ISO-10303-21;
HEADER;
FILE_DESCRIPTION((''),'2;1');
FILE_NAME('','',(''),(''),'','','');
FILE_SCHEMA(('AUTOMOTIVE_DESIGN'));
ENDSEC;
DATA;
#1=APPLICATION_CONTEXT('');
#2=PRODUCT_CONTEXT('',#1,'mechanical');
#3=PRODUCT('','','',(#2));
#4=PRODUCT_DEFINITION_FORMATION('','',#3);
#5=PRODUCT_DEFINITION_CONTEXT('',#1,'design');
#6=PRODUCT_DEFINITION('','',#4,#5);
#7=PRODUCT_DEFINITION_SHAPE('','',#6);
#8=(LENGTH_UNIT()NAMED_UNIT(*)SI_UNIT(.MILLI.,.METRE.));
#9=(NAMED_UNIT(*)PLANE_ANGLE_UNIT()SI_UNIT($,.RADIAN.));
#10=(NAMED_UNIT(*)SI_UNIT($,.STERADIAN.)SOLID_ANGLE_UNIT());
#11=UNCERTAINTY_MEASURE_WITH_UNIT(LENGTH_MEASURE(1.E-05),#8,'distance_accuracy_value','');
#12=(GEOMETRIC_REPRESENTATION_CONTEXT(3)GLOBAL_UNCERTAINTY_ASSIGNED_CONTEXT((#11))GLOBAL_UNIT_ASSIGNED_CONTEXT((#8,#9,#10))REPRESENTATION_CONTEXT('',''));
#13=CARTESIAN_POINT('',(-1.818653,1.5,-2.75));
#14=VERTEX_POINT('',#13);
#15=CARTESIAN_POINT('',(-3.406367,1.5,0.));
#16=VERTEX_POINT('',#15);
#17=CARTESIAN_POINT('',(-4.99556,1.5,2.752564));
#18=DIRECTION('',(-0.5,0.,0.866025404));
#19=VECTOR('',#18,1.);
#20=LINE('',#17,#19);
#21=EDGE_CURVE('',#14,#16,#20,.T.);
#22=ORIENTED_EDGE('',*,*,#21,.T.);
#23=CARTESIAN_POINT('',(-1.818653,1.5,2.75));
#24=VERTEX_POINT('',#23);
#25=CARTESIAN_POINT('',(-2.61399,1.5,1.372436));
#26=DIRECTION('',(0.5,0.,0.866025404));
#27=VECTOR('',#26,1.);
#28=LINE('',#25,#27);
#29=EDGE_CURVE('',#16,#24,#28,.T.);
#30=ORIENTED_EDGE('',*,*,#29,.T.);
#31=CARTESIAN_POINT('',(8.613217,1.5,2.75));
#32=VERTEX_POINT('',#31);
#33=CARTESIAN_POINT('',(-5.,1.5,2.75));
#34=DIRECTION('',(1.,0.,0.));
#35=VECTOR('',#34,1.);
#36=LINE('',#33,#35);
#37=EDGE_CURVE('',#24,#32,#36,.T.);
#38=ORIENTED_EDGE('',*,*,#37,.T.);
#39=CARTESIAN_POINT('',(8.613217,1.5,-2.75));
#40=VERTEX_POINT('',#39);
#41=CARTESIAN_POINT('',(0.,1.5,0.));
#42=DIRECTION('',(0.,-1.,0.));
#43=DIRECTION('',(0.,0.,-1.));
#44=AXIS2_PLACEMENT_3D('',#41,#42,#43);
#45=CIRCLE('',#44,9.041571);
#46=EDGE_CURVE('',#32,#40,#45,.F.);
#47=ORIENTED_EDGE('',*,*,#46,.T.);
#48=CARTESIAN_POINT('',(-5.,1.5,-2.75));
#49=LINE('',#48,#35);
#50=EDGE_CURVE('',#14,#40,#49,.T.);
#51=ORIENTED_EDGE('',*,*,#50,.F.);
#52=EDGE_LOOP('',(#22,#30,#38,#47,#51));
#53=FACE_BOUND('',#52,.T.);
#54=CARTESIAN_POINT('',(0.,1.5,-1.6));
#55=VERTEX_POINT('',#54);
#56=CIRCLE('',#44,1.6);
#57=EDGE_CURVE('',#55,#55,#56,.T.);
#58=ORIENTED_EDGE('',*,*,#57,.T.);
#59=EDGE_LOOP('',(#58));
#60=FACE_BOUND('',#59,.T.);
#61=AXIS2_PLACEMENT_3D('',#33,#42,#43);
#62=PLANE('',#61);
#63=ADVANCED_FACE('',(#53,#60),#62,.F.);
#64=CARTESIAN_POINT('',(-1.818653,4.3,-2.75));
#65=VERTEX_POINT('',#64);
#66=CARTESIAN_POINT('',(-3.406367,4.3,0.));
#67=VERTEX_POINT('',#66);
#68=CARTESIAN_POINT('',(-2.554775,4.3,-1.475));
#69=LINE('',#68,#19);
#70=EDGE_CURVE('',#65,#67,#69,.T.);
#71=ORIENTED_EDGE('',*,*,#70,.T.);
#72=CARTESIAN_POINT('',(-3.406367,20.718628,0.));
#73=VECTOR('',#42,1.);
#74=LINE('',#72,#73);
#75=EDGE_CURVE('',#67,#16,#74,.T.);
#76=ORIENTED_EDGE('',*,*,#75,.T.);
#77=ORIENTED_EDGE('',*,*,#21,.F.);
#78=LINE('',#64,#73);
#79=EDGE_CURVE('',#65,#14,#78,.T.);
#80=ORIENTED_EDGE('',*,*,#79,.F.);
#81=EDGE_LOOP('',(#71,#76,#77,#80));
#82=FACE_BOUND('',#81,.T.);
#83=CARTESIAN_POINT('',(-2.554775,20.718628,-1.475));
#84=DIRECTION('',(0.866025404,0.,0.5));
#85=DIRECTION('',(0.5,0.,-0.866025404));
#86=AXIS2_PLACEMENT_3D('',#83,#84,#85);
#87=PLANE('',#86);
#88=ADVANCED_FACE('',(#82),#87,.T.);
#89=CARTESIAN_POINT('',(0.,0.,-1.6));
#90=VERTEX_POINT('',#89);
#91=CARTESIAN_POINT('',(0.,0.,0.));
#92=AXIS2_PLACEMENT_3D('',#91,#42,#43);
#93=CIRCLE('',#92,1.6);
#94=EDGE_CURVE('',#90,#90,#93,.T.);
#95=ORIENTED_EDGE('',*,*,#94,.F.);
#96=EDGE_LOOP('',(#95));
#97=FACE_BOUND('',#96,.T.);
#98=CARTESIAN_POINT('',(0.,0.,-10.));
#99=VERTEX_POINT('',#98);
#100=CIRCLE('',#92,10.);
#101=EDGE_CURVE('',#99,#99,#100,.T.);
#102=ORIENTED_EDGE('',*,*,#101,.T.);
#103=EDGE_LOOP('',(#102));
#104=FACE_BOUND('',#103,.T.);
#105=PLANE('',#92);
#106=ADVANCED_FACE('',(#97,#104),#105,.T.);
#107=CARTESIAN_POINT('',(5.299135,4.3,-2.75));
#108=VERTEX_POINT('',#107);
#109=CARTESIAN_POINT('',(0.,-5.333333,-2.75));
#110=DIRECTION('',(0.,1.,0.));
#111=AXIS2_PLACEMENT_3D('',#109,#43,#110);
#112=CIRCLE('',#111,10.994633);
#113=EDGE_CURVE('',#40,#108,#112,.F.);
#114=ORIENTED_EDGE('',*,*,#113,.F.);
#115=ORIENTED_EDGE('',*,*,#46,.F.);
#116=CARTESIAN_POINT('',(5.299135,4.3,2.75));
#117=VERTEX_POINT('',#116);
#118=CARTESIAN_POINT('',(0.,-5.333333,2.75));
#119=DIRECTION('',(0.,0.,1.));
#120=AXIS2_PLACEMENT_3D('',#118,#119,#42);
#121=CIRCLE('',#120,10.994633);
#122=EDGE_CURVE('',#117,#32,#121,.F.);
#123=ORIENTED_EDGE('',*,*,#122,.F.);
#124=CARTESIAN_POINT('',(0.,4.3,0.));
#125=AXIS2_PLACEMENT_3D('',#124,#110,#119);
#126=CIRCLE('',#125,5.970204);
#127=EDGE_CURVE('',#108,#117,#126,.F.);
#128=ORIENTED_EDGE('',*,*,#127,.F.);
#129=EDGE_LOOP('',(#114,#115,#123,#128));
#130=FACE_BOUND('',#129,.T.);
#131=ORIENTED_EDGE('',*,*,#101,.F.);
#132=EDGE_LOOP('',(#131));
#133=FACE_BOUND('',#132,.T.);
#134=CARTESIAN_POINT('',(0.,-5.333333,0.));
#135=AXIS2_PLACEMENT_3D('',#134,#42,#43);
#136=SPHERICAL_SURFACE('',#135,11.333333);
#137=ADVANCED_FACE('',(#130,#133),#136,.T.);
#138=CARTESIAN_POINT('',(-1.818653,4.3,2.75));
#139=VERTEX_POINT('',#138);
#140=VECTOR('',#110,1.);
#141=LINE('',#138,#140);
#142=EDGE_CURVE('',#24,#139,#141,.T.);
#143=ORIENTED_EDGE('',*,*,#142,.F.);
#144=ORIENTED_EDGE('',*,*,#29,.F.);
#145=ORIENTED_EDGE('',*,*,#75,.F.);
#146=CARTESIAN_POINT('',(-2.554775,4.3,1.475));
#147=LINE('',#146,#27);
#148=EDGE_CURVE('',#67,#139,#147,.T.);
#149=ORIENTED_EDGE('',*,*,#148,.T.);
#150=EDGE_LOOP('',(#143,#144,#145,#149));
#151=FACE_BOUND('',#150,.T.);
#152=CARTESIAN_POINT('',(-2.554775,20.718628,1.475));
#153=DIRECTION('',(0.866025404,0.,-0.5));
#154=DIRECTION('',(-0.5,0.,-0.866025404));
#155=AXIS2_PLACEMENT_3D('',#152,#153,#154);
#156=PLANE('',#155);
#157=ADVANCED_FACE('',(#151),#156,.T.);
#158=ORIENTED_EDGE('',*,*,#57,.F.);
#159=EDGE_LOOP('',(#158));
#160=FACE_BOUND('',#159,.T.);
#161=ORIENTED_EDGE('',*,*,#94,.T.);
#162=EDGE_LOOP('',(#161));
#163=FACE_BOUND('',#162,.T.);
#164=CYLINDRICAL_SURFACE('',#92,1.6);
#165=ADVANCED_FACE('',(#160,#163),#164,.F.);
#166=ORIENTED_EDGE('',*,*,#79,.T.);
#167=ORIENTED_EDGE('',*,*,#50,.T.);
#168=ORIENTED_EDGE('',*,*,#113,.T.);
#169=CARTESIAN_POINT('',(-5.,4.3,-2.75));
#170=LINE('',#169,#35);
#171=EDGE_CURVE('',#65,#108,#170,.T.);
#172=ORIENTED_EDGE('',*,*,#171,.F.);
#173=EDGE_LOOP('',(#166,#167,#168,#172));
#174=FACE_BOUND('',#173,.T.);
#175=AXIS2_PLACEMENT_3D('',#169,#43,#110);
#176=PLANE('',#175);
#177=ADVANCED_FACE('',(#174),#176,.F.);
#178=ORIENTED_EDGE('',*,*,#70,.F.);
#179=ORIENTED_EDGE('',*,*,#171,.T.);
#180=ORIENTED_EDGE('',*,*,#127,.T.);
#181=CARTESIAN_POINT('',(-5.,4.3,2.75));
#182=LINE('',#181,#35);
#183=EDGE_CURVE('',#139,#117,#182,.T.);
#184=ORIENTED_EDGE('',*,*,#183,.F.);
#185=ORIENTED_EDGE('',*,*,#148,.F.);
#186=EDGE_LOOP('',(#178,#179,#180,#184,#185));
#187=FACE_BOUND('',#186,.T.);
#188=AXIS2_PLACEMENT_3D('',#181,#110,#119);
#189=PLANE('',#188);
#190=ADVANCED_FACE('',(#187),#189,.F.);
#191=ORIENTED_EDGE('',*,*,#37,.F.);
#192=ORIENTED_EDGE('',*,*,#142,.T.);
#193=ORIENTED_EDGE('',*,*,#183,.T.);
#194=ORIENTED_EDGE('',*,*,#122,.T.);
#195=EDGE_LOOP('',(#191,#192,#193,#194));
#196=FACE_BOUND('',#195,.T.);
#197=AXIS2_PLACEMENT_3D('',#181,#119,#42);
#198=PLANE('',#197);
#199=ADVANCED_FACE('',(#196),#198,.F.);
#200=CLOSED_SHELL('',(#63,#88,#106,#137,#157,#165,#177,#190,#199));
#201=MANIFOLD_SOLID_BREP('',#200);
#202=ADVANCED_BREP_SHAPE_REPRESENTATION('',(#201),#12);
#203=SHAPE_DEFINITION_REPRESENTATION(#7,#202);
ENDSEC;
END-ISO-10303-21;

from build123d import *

# Parameters (mm, degrees)
CUT_EXTRUDE1_DEPTH       = 16.362291496
CUT_EXTRUDE1_DEPTH_BACK  = 5
SKETCH2_W                = 5.5
SKETCH2_H                = 2.8
M3_CLEARANCE_HOLE1_D     = 3.2
M3_CLEARANCE_HOLE1_DEPTH = 1.5
BOSS_EXTRUDE1_DEPTH      = 4.3


with BuildPart() as part:
    # Sketch1 → Revolve1 (revolve)
    with BuildSketch(Plane(origin=(0, 0, 0), x_dir=(0, 0, -1), z_dir=(1, 0, 0))):
        with BuildLine():
            Line((0, 0), (0, 6))
            ThreePointArc((0, 6), (5.830951895, 4.384919825), (10, 0))
            Line((10, 0), (0, 0))
        make_face()
    revolve(axis=Axis((0, 0, 0), (0, 1, 0)))

    # Sketch2 → Cut-Extrude1 (cut, two sides: drawn at the far end of the back side and taken through both)
    with BuildSketch(Plane(origin=(0, 0, 0), x_dir=(0, 0, -1), z_dir=(1, 0, 0)).offset(-CUT_EXTRUDE1_DEPTH_BACK)):
        with Locations((0, 2.9)):
            Rectangle(SKETCH2_W, SKETCH2_H)
    extrude(amount=CUT_EXTRUDE1_DEPTH + CUT_EXTRUDE1_DEPTH_BACK, mode=Mode.SUBTRACT)

    # M3 Clearance Hole1
    with Locations(Plane(origin=(0, 0, 0), x_dir=(-1, 0, 0), z_dir=(0, -1, 0))):
        with Locations((0, 0)):
            Hole(M3_CLEARANCE_HOLE1_D / 2, depth=M3_CLEARANCE_HOLE1_DEPTH)

    # Sketch11 → Boss-Extrude1 (add)
    with BuildSketch(Plane(origin=(0, 0, 0), x_dir=(1, 0, 0), z_dir=(0, 1, 0))):
        with BuildLine():
            Line((5.29913515, 2.75), (-1.703183294, 2.95))
            Line((-1.703183294, 2.95), (-3.406366588, 0))
            Line((-3.406366588, 0), (-1.703183294, -2.95))
            Line((-1.703183294, -2.95), (5.29913515, -2.75))
            ThreePointArc((5.29913515, -2.75), (-5.970203793, 0), (5.29913515, 2.75))
        make_face()
    extrude(amount=BOSS_EXTRUDE1_DEPTH)


solid = part.part
